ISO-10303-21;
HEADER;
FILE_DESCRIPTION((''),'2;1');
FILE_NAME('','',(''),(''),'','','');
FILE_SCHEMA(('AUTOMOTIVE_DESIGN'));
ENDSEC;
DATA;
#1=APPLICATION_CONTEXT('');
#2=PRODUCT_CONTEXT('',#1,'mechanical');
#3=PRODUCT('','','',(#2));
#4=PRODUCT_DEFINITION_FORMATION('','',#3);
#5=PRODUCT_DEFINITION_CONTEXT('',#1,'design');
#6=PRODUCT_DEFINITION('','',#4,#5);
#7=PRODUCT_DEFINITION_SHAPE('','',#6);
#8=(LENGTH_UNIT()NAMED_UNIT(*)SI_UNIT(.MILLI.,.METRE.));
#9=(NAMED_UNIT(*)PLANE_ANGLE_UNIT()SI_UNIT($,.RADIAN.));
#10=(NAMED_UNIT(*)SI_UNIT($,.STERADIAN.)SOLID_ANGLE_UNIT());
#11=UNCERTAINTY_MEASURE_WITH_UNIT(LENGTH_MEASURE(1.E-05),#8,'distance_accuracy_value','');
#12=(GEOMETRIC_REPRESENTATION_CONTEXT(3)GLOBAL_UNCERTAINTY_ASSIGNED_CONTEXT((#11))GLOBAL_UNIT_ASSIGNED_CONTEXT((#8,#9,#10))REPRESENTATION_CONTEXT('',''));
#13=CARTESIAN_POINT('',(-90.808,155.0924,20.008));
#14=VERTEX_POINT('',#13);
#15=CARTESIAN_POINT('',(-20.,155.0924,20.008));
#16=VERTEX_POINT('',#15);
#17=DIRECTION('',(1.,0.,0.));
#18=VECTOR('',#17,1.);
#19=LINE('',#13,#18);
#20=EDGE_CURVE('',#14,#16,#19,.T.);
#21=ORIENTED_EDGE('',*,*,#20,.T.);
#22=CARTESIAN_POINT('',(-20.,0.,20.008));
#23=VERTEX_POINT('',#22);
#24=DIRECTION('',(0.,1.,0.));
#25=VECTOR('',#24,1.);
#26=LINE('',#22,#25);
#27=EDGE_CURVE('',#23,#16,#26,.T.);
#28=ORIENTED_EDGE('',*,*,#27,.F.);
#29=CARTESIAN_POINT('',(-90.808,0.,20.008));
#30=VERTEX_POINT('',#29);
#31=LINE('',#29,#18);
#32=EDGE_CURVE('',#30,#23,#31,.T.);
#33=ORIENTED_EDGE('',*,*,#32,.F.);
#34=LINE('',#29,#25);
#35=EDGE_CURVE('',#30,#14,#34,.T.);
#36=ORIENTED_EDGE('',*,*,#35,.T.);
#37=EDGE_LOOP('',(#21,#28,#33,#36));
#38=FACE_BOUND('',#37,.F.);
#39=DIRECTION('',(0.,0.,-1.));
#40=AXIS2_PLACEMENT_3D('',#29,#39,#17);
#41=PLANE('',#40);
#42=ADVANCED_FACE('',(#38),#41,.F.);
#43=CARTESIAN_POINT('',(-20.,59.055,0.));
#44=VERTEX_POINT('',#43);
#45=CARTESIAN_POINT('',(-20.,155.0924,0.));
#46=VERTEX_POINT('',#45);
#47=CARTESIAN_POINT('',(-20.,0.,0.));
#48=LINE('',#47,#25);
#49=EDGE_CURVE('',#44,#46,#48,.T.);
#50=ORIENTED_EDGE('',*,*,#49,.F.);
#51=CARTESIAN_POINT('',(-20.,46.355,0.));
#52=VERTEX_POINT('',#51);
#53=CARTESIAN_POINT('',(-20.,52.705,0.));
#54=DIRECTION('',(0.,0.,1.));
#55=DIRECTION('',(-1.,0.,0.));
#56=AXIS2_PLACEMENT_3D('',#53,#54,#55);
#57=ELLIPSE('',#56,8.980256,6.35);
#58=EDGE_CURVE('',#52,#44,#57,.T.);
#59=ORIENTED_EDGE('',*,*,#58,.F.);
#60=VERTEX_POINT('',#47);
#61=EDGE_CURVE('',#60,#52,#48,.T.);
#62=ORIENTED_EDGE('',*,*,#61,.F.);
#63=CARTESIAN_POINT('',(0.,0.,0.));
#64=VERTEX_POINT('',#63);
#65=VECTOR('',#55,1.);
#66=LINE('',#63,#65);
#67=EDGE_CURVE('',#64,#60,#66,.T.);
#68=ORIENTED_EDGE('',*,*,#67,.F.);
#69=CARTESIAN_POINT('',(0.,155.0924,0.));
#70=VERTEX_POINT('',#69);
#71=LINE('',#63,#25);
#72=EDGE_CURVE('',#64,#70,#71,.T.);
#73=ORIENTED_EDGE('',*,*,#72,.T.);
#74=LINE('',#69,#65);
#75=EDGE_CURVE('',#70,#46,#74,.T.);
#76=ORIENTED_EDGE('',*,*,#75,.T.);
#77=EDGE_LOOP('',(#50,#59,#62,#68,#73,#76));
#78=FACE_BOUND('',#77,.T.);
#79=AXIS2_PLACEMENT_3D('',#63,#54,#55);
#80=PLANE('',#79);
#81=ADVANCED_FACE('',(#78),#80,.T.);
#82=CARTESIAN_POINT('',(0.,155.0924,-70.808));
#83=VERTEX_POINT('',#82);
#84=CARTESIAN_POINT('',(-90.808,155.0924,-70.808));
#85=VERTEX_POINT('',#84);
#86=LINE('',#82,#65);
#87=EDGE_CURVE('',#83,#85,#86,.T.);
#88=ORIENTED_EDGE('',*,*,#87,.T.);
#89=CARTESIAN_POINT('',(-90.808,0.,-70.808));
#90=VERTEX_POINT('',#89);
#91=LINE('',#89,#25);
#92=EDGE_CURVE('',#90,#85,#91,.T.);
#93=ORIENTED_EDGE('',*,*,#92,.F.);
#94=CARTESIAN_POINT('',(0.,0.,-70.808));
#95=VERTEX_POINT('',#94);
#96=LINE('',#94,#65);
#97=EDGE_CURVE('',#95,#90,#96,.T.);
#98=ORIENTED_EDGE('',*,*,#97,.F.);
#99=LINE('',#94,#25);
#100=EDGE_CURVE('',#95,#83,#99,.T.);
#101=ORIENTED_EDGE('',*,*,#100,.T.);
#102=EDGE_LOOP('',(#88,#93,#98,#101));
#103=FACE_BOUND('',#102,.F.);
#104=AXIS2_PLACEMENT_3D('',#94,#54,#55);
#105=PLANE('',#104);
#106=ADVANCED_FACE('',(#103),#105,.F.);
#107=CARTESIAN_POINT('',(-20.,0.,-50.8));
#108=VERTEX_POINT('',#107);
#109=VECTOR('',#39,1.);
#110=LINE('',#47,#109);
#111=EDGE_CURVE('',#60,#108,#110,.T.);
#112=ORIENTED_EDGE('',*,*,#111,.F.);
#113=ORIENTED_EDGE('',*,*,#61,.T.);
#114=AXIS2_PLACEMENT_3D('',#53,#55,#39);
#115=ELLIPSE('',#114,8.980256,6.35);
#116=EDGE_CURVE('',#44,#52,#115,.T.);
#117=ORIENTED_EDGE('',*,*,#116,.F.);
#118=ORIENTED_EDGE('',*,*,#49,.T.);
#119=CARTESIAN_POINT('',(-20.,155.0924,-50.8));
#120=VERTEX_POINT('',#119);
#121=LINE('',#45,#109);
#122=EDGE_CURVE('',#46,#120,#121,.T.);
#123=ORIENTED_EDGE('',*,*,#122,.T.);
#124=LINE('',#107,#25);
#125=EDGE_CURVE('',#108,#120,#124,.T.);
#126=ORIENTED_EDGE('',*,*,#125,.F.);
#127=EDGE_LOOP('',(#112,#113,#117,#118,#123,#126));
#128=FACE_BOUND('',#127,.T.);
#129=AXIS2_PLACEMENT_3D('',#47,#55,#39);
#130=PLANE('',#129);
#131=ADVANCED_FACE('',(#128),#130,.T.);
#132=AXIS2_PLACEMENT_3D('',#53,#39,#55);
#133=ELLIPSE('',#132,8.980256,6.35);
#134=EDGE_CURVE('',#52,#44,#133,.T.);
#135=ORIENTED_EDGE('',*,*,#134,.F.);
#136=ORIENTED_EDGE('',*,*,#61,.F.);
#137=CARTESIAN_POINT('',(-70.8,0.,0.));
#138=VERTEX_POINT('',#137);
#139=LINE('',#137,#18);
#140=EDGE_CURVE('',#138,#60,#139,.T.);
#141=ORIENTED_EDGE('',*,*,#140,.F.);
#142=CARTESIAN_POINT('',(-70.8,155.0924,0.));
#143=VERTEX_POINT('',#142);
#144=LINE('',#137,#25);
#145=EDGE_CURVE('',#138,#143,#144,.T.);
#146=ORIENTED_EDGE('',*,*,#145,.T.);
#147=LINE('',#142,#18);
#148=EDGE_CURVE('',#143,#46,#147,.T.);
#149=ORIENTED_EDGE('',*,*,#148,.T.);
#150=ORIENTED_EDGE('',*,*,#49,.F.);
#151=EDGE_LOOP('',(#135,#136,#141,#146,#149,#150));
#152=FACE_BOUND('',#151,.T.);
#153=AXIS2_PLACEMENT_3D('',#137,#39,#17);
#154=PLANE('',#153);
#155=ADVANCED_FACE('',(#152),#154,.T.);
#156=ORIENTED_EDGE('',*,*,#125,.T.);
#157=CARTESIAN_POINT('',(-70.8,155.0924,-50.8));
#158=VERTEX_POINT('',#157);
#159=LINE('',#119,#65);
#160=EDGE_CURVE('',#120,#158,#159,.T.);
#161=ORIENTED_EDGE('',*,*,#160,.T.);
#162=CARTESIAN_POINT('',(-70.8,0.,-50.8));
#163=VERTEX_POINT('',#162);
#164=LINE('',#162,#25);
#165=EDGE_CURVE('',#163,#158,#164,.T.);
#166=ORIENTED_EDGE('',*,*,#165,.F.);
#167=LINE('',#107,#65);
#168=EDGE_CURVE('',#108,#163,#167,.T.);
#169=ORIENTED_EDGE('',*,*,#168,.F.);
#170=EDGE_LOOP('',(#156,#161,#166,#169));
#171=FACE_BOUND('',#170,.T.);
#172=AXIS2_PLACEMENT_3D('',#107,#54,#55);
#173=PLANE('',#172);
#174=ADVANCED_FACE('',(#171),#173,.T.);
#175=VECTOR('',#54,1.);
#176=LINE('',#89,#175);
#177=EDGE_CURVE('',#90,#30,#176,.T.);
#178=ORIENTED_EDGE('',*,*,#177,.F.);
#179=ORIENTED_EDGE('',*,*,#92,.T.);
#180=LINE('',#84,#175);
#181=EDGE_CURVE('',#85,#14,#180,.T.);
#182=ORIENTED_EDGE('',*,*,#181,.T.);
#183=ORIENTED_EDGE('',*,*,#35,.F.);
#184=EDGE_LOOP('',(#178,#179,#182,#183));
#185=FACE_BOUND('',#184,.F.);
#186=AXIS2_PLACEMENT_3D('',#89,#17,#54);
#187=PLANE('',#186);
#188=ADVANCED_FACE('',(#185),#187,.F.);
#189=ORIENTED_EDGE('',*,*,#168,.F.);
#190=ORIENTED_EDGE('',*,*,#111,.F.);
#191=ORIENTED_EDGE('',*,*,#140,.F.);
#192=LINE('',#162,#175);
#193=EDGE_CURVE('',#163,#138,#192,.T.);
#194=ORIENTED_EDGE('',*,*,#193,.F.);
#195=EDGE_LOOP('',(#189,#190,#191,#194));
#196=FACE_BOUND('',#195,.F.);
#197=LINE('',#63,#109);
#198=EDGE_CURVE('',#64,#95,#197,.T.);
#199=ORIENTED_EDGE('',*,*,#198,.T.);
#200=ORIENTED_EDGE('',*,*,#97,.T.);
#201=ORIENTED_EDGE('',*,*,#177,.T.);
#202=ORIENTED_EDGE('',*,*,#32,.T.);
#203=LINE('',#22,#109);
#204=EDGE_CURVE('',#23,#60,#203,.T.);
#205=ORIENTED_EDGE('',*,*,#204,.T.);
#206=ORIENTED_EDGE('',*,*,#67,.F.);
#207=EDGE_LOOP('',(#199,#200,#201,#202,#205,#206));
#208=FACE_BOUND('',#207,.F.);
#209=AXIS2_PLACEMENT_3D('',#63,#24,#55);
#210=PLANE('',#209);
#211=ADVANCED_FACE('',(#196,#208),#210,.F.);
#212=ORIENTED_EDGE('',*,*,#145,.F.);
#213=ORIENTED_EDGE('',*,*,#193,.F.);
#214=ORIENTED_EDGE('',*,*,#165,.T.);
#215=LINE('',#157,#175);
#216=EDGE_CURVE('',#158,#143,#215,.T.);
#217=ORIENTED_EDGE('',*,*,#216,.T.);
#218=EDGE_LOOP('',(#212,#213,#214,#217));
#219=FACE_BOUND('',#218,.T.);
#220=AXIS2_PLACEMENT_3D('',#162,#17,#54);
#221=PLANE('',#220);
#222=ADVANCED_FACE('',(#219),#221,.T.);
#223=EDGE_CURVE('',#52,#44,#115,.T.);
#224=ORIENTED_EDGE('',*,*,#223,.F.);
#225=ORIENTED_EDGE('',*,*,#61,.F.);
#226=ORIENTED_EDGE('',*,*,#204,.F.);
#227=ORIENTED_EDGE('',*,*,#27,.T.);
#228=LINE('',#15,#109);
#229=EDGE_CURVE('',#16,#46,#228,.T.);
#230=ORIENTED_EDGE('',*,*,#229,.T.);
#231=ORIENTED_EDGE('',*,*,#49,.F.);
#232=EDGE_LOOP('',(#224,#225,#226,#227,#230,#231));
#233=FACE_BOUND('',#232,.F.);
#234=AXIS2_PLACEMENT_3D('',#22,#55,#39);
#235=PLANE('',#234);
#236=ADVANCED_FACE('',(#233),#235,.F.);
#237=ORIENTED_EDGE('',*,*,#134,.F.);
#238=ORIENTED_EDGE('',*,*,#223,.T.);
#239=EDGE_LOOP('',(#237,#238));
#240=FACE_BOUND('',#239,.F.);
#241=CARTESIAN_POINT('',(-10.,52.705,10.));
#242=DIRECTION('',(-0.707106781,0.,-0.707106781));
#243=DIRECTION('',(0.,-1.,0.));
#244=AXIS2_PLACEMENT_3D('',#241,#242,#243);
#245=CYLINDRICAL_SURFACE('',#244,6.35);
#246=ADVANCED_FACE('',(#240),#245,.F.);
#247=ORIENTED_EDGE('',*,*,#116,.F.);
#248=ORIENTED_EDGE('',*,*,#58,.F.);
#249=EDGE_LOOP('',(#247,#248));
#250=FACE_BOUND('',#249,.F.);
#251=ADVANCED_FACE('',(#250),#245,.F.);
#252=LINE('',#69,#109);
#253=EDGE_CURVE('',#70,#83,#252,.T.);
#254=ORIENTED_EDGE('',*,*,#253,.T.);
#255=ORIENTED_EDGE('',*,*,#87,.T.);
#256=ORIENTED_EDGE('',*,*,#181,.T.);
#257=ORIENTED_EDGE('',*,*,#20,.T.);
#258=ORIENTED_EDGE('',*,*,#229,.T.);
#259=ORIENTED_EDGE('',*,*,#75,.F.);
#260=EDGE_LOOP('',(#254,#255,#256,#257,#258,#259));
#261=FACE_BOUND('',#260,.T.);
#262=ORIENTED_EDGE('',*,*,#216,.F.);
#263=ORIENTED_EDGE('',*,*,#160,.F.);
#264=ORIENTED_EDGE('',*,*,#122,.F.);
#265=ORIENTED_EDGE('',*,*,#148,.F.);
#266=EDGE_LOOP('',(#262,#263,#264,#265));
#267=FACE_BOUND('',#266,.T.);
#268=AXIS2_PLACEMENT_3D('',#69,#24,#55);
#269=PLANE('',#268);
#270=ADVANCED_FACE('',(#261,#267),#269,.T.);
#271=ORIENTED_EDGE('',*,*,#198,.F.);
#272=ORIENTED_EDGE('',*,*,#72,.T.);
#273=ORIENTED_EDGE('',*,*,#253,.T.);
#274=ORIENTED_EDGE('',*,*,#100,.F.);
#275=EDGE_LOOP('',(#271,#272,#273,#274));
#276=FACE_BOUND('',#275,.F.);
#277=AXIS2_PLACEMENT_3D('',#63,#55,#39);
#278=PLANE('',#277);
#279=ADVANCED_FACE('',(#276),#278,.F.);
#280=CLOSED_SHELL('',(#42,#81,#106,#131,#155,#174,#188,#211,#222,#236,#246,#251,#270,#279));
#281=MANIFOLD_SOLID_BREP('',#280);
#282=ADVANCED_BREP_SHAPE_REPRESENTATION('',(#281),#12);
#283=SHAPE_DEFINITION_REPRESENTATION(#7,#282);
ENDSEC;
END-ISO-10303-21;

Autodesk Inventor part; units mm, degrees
ref_plane "YZ Plane" through (0, 0, 0) normal (1, 0, 0) x (0, 1, 0)
ref_plane "XZ Plane" through (0, 0, 0) normal (0, 1, 0) x (-1, 0, 0)
sketch "Sketch1" plane through (0, 0, 0) normal (0, 1, 0) x (-1, 0, 0)
  line L0 (0, 0) -> (20, 0)
  line L1 (20, 0) -> (20, -50.8)
  line L2 (20, -50.8) -> (70.8, -50.8)
  line L3 (70.8, -50.8) -> (70.8, 0)
  line L4 (70.8, 0) -> (20, 0)
  line L5 (0, 0) -> (0, -70.808)
  line L6 (0, -70.808) -> (90.808, -70.808)
  line L7 (90.808, -70.808) -> (90.808, 20.008)
  line L8 (90.808, 20.008) -> (20, 20.008)
  line L9 (20, 20.008) -> (20, 0)
  dimension "d0" = 20
  dimension "d1" = 50.8
  dimension "d2" = 50.8
  dimension "d3" = 50.8
  dimension "d4" = 50.8
  dimension "d6" = 28.2899
  dimension "d7" = 28.2956
  dimension "d8" = 28.2956
  dimension "d11" = 20.008
extrude "Extrusion1" add sketch "Sketch1" along normal blind 155.0924
ref_plane "Work Plane1" through (0, 0, 0) normal (-0.7071, 0, -0.7071) x (0, 1, 0)
sketch "Sketch2" plane through (0, 0, 0) normal (-0.7071, 0, -0.7071) x (0, 1, 0)
  line L0 (155.0924, 21.7789) -> (155.0924, -14.1421) projected
  line L1 (155.0924, -14.1421) -> (52.705, -14.1421)
  line L2 (0, -14.1421) -> (155.0924, -14.1421) projected
  point P0 (0, 0)
  dimension "d15" = 102.3874
hole "Hole1" at (-10, 52.705, 10) direction (-0.7071, 0, -0.7071) diameter 12.7 depth 25.4
properties part number "LegHolderOutlet" material "Wood (Birch)"
